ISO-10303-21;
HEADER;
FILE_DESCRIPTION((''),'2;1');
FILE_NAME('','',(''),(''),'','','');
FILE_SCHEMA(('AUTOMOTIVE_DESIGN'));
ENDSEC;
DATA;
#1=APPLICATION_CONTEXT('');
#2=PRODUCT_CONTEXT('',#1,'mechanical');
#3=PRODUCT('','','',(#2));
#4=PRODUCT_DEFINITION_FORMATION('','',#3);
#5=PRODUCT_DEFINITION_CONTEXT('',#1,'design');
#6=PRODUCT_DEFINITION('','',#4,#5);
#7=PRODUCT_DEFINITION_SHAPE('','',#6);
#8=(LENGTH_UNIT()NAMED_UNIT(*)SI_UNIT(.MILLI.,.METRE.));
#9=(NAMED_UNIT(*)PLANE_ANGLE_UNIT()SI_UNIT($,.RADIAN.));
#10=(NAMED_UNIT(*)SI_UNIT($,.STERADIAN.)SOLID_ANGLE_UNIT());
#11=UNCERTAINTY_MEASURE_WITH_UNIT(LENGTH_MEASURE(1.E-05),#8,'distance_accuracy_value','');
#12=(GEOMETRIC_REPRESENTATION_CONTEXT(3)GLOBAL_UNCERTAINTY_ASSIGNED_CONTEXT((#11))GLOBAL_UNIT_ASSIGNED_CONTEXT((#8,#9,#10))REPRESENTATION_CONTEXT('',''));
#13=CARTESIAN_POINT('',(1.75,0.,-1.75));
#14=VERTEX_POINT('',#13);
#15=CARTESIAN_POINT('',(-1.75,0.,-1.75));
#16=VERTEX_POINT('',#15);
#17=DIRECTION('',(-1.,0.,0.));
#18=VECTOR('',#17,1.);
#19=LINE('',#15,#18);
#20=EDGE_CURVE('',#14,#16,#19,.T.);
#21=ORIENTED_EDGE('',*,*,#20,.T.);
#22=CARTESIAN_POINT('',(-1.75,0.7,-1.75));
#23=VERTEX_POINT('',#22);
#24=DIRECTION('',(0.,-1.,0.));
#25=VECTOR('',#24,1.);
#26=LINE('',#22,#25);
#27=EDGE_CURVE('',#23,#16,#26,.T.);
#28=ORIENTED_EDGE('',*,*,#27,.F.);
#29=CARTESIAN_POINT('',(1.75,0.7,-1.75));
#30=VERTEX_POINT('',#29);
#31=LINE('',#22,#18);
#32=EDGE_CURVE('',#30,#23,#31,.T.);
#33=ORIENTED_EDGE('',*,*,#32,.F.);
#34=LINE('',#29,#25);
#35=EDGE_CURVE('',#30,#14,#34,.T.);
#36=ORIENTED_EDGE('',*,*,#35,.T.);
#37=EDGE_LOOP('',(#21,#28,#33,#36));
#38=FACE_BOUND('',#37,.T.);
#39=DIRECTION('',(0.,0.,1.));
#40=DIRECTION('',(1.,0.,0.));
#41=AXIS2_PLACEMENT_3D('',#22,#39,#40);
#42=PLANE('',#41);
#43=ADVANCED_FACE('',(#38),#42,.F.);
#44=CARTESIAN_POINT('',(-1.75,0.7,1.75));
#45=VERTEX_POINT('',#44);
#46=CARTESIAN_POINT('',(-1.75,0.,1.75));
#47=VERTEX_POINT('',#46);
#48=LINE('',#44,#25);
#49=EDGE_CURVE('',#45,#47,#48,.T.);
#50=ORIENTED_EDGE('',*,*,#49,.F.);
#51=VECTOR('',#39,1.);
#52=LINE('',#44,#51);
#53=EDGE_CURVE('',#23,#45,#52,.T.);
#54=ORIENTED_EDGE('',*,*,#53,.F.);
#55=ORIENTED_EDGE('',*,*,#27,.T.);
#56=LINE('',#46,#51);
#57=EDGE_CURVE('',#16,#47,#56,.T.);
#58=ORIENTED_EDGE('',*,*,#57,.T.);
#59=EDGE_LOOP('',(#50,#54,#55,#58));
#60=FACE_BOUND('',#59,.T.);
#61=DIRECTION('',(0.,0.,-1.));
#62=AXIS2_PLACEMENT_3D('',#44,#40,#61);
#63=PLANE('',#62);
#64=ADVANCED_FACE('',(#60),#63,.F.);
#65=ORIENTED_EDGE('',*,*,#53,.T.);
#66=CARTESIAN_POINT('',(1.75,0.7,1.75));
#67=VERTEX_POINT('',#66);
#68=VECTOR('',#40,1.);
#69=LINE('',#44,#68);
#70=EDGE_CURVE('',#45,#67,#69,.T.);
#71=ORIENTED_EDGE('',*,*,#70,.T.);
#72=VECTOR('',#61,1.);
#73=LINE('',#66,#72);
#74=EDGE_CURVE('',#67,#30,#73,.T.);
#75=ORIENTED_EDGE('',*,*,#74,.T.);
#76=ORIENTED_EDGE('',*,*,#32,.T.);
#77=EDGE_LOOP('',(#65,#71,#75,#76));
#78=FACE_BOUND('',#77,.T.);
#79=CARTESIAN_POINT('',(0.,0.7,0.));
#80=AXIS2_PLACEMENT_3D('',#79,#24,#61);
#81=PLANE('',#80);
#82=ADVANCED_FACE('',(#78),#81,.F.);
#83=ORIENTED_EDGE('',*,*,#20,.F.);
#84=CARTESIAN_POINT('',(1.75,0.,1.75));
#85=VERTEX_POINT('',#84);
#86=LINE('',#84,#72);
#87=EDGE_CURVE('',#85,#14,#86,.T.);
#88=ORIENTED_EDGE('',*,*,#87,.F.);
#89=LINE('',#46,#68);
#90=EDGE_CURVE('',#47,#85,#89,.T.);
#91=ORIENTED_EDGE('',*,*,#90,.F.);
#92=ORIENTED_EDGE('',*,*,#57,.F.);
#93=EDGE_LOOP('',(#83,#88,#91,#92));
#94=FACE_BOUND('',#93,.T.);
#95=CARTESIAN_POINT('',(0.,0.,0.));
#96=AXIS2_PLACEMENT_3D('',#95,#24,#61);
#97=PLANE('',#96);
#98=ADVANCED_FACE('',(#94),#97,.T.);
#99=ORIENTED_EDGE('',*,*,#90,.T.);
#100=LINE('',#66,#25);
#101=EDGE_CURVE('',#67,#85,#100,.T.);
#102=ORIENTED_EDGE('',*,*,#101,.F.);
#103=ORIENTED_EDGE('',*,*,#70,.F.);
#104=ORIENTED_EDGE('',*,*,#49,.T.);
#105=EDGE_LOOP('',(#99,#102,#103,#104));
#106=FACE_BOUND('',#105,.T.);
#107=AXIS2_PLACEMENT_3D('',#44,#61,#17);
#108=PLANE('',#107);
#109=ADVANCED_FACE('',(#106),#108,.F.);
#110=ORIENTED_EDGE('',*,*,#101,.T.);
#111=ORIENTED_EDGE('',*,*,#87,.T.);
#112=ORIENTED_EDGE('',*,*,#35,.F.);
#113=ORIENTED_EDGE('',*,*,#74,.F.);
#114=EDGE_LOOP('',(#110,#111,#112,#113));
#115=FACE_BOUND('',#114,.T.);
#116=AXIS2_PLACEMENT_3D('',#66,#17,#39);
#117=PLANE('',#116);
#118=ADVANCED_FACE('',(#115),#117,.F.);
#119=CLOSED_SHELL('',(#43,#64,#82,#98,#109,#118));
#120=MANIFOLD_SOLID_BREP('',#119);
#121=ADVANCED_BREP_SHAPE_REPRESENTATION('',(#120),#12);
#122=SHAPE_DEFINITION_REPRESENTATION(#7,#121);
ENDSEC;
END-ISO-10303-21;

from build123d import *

# Parameters (mm, degrees)
SKETCH_1_W      = 3.5
SKETCH_1_H      = 3.5
EXTRUDE_1_DEPTH = 0.7


with BuildPart() as part:
    # Эскиз1 → Бобышка-Вытянуть1 (new body)
    with BuildSketch(Plane(origin=(0, 0, 0), x_dir=(1, 0, 0), z_dir=(0, 1, 0))):
        Rectangle(SKETCH_1_W, SKETCH_1_H)
    extrude(amount=EXTRUDE_1_DEPTH)


solid = part.part
